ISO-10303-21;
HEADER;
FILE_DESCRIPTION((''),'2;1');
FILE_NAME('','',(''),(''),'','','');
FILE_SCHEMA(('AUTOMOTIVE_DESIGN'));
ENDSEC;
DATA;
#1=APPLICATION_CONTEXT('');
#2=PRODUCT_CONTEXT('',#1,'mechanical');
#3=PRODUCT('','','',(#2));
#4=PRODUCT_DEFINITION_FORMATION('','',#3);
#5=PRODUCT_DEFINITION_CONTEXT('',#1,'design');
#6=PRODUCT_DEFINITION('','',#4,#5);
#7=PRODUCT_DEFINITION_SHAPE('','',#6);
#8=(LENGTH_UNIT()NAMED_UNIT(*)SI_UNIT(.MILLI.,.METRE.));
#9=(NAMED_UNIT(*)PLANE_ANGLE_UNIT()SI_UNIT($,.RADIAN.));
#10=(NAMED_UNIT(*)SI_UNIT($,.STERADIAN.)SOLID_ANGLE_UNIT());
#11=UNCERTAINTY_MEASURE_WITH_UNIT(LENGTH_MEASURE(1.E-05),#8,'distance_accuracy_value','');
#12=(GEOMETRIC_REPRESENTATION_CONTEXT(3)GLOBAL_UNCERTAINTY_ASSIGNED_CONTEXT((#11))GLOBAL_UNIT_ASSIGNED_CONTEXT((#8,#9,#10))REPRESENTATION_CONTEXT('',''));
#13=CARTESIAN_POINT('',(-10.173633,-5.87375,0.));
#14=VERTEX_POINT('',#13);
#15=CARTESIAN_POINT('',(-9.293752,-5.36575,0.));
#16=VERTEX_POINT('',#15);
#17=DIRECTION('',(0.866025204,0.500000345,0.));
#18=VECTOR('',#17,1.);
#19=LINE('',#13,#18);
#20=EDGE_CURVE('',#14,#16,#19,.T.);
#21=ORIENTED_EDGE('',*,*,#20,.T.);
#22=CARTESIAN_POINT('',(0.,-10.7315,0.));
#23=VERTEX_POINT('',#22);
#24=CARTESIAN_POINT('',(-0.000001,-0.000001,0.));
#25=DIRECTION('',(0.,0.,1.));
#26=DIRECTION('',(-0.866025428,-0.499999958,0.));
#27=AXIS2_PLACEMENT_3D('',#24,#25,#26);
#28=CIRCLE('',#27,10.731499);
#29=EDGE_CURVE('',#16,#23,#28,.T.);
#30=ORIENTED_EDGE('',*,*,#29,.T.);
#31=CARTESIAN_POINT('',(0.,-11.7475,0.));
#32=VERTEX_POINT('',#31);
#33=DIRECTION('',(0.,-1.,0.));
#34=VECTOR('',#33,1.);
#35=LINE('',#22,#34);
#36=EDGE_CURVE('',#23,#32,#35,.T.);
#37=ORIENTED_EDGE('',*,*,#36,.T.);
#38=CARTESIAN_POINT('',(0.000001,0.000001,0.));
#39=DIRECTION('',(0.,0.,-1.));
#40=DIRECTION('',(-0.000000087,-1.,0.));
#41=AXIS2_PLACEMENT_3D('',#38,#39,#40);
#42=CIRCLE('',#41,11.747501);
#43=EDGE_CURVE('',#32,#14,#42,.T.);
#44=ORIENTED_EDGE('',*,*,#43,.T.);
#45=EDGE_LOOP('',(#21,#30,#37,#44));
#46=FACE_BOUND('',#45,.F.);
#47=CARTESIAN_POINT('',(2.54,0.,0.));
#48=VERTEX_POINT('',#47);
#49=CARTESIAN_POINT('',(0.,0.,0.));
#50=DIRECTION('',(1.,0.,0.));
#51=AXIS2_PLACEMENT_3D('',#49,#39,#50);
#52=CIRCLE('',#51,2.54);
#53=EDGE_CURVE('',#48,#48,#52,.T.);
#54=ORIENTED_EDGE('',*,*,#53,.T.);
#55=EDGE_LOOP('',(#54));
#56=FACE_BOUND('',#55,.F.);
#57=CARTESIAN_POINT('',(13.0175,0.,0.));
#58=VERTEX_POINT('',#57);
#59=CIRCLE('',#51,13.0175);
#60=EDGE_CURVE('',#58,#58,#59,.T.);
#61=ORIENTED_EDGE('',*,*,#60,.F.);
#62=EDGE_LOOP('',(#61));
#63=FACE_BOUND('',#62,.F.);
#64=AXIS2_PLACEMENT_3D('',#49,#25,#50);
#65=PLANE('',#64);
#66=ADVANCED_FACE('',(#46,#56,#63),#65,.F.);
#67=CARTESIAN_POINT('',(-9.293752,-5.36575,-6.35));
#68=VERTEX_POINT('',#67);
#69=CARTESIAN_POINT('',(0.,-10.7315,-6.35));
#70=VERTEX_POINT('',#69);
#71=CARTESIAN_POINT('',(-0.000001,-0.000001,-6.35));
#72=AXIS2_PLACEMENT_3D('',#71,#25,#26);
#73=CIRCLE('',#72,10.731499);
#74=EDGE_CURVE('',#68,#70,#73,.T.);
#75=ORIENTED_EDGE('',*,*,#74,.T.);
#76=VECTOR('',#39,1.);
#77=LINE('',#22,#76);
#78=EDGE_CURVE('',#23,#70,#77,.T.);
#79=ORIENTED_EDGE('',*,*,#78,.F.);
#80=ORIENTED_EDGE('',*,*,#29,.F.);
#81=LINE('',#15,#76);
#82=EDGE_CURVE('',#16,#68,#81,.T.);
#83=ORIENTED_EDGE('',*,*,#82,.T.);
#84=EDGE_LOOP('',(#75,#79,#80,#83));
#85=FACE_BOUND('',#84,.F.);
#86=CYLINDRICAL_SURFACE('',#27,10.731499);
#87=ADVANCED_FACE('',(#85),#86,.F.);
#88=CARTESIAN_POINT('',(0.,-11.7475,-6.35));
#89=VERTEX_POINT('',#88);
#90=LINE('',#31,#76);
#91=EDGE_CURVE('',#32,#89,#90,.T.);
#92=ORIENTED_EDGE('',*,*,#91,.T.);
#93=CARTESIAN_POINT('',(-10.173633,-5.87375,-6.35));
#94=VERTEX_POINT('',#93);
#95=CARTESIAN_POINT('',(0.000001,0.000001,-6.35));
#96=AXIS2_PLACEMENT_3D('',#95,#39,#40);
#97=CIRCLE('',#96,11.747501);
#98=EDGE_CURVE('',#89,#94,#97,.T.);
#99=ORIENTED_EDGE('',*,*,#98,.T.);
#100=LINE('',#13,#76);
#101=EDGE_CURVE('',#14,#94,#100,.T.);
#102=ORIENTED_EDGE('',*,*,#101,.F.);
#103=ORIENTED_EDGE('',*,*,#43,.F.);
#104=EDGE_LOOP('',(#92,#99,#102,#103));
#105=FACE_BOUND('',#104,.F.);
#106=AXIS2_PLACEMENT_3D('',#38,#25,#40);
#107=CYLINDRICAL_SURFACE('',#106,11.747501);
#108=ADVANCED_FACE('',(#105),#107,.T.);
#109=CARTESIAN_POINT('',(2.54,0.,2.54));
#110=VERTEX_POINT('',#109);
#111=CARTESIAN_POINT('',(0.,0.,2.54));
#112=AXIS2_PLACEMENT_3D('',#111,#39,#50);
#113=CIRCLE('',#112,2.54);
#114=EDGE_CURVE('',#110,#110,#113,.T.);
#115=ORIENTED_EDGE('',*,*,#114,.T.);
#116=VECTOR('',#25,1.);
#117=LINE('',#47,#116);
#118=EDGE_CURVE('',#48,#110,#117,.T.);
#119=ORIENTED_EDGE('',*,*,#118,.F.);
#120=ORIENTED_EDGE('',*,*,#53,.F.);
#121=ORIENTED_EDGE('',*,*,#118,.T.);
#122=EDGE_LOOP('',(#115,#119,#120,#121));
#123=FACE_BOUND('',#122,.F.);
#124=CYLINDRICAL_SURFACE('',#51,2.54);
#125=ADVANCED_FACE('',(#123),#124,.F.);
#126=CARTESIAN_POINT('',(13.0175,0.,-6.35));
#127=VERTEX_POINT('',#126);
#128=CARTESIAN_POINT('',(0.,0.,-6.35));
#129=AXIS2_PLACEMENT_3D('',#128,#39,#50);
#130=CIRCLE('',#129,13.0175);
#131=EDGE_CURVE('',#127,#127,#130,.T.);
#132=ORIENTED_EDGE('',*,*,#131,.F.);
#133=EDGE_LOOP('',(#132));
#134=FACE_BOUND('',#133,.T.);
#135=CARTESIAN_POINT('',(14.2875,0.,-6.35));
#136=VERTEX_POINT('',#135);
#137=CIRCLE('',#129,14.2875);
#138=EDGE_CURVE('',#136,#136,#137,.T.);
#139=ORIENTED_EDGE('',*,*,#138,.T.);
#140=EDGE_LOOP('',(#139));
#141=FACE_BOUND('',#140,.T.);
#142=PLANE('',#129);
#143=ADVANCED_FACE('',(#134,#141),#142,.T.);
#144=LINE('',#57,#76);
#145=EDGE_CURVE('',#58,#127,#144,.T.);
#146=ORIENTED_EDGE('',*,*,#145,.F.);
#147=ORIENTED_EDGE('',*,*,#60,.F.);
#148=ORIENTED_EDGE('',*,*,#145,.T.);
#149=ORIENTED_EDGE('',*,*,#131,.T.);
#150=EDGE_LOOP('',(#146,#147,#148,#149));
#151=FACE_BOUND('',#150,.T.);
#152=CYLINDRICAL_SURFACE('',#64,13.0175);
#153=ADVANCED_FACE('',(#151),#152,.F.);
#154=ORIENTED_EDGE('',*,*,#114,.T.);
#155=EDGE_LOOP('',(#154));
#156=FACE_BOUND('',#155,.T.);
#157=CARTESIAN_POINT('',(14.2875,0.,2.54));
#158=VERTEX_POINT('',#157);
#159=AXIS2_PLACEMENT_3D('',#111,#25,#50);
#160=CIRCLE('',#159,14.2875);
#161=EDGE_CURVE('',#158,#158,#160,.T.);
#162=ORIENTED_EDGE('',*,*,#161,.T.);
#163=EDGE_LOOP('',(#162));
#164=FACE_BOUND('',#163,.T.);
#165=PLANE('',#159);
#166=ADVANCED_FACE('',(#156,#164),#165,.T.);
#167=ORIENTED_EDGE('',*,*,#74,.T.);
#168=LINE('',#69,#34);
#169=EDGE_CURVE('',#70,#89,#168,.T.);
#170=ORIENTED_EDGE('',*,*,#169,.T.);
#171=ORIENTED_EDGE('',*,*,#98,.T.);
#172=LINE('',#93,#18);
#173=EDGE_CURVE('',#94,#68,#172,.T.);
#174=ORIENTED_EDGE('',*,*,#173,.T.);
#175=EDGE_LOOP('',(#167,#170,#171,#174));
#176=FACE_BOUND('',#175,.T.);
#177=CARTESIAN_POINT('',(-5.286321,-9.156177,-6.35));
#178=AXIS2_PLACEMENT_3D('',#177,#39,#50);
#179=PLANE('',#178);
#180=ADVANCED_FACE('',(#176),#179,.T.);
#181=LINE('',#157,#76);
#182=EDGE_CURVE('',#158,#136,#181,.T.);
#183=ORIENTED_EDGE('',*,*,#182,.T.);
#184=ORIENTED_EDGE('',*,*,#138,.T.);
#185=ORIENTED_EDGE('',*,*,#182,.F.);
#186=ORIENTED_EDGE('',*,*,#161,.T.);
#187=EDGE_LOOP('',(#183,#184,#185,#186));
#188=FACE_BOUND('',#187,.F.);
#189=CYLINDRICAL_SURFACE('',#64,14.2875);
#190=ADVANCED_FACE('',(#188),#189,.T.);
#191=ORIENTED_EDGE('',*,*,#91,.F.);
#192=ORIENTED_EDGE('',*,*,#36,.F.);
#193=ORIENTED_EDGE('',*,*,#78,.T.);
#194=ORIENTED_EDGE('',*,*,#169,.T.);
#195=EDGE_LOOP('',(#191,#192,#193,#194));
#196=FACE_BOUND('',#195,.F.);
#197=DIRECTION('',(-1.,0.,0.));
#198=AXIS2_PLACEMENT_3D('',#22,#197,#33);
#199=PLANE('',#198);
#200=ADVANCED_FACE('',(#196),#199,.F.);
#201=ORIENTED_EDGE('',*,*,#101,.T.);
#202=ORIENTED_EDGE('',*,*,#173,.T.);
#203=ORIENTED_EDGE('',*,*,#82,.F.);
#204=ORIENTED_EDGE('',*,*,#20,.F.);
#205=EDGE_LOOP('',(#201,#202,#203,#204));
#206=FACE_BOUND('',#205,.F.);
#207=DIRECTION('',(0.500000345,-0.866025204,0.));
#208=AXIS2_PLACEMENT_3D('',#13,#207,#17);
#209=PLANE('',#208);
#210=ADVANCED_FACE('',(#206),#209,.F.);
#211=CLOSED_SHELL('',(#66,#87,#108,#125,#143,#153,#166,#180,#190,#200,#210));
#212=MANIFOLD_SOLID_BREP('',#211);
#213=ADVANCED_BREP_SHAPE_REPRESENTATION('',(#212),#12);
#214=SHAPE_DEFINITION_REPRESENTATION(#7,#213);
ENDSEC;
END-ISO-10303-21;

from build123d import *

# Parameters (mm, degrees)
F0_R     = 14.2875
F1_DEPTH = 2.54
F2_R     = 14.2875
F2_R_2   = 13.0175
F3_DEPTH = 6.35
F4_DEPTH = 6.35
F5_R     = 2.54
F6_DEPTH = 25.4


with BuildPart() as f1:
    # F0 (on Top) → F1 (new body)
    with BuildSketch(Plane.XY):
        Circle(F0_R)
    extrude(amount=F1_DEPTH)

    # F2 (on face) → F3 (join)
    with BuildSketch(Plane(origin=(0, 0, 0), x_dir=(1, 0, 0), z_dir=(0, 0, -1))):
        Circle(F2_R)
        Circle(F2_R_2, mode=Mode.SUBTRACT)
    extrude(amount=F3_DEPTH)

    # F2 (on face) → F4 (join, through all)
    with BuildSketch(Plane(origin=(0, 0, 0), x_dir=(1, 0, 0), z_dir=(0, 0, -1))):
        with BuildLine():
            Line((0, 10.7315), (0, 11.7475))
            ThreePointArc((0, 11.7475), (-5.87375, 10.173633), (-10.173633, 5.87375))
            Line((-10.173633, 5.87375), (-9.293752, 5.36575))
            ThreePointArc((-9.293752, 5.36575), (-5.36575, 9.293752), (0, 10.7315))
        make_face()
    extrude(amount=F4_DEPTH)

    # F5 (on face) → F6 (cut)
    with BuildSketch(Plane(origin=(0, 0, 0), x_dir=(1, 0, 0), z_dir=(0, 0, -1))):
        Circle(F5_R)
    extrude(amount=-F6_DEPTH, mode=Mode.SUBTRACT)


solid = f1.part
